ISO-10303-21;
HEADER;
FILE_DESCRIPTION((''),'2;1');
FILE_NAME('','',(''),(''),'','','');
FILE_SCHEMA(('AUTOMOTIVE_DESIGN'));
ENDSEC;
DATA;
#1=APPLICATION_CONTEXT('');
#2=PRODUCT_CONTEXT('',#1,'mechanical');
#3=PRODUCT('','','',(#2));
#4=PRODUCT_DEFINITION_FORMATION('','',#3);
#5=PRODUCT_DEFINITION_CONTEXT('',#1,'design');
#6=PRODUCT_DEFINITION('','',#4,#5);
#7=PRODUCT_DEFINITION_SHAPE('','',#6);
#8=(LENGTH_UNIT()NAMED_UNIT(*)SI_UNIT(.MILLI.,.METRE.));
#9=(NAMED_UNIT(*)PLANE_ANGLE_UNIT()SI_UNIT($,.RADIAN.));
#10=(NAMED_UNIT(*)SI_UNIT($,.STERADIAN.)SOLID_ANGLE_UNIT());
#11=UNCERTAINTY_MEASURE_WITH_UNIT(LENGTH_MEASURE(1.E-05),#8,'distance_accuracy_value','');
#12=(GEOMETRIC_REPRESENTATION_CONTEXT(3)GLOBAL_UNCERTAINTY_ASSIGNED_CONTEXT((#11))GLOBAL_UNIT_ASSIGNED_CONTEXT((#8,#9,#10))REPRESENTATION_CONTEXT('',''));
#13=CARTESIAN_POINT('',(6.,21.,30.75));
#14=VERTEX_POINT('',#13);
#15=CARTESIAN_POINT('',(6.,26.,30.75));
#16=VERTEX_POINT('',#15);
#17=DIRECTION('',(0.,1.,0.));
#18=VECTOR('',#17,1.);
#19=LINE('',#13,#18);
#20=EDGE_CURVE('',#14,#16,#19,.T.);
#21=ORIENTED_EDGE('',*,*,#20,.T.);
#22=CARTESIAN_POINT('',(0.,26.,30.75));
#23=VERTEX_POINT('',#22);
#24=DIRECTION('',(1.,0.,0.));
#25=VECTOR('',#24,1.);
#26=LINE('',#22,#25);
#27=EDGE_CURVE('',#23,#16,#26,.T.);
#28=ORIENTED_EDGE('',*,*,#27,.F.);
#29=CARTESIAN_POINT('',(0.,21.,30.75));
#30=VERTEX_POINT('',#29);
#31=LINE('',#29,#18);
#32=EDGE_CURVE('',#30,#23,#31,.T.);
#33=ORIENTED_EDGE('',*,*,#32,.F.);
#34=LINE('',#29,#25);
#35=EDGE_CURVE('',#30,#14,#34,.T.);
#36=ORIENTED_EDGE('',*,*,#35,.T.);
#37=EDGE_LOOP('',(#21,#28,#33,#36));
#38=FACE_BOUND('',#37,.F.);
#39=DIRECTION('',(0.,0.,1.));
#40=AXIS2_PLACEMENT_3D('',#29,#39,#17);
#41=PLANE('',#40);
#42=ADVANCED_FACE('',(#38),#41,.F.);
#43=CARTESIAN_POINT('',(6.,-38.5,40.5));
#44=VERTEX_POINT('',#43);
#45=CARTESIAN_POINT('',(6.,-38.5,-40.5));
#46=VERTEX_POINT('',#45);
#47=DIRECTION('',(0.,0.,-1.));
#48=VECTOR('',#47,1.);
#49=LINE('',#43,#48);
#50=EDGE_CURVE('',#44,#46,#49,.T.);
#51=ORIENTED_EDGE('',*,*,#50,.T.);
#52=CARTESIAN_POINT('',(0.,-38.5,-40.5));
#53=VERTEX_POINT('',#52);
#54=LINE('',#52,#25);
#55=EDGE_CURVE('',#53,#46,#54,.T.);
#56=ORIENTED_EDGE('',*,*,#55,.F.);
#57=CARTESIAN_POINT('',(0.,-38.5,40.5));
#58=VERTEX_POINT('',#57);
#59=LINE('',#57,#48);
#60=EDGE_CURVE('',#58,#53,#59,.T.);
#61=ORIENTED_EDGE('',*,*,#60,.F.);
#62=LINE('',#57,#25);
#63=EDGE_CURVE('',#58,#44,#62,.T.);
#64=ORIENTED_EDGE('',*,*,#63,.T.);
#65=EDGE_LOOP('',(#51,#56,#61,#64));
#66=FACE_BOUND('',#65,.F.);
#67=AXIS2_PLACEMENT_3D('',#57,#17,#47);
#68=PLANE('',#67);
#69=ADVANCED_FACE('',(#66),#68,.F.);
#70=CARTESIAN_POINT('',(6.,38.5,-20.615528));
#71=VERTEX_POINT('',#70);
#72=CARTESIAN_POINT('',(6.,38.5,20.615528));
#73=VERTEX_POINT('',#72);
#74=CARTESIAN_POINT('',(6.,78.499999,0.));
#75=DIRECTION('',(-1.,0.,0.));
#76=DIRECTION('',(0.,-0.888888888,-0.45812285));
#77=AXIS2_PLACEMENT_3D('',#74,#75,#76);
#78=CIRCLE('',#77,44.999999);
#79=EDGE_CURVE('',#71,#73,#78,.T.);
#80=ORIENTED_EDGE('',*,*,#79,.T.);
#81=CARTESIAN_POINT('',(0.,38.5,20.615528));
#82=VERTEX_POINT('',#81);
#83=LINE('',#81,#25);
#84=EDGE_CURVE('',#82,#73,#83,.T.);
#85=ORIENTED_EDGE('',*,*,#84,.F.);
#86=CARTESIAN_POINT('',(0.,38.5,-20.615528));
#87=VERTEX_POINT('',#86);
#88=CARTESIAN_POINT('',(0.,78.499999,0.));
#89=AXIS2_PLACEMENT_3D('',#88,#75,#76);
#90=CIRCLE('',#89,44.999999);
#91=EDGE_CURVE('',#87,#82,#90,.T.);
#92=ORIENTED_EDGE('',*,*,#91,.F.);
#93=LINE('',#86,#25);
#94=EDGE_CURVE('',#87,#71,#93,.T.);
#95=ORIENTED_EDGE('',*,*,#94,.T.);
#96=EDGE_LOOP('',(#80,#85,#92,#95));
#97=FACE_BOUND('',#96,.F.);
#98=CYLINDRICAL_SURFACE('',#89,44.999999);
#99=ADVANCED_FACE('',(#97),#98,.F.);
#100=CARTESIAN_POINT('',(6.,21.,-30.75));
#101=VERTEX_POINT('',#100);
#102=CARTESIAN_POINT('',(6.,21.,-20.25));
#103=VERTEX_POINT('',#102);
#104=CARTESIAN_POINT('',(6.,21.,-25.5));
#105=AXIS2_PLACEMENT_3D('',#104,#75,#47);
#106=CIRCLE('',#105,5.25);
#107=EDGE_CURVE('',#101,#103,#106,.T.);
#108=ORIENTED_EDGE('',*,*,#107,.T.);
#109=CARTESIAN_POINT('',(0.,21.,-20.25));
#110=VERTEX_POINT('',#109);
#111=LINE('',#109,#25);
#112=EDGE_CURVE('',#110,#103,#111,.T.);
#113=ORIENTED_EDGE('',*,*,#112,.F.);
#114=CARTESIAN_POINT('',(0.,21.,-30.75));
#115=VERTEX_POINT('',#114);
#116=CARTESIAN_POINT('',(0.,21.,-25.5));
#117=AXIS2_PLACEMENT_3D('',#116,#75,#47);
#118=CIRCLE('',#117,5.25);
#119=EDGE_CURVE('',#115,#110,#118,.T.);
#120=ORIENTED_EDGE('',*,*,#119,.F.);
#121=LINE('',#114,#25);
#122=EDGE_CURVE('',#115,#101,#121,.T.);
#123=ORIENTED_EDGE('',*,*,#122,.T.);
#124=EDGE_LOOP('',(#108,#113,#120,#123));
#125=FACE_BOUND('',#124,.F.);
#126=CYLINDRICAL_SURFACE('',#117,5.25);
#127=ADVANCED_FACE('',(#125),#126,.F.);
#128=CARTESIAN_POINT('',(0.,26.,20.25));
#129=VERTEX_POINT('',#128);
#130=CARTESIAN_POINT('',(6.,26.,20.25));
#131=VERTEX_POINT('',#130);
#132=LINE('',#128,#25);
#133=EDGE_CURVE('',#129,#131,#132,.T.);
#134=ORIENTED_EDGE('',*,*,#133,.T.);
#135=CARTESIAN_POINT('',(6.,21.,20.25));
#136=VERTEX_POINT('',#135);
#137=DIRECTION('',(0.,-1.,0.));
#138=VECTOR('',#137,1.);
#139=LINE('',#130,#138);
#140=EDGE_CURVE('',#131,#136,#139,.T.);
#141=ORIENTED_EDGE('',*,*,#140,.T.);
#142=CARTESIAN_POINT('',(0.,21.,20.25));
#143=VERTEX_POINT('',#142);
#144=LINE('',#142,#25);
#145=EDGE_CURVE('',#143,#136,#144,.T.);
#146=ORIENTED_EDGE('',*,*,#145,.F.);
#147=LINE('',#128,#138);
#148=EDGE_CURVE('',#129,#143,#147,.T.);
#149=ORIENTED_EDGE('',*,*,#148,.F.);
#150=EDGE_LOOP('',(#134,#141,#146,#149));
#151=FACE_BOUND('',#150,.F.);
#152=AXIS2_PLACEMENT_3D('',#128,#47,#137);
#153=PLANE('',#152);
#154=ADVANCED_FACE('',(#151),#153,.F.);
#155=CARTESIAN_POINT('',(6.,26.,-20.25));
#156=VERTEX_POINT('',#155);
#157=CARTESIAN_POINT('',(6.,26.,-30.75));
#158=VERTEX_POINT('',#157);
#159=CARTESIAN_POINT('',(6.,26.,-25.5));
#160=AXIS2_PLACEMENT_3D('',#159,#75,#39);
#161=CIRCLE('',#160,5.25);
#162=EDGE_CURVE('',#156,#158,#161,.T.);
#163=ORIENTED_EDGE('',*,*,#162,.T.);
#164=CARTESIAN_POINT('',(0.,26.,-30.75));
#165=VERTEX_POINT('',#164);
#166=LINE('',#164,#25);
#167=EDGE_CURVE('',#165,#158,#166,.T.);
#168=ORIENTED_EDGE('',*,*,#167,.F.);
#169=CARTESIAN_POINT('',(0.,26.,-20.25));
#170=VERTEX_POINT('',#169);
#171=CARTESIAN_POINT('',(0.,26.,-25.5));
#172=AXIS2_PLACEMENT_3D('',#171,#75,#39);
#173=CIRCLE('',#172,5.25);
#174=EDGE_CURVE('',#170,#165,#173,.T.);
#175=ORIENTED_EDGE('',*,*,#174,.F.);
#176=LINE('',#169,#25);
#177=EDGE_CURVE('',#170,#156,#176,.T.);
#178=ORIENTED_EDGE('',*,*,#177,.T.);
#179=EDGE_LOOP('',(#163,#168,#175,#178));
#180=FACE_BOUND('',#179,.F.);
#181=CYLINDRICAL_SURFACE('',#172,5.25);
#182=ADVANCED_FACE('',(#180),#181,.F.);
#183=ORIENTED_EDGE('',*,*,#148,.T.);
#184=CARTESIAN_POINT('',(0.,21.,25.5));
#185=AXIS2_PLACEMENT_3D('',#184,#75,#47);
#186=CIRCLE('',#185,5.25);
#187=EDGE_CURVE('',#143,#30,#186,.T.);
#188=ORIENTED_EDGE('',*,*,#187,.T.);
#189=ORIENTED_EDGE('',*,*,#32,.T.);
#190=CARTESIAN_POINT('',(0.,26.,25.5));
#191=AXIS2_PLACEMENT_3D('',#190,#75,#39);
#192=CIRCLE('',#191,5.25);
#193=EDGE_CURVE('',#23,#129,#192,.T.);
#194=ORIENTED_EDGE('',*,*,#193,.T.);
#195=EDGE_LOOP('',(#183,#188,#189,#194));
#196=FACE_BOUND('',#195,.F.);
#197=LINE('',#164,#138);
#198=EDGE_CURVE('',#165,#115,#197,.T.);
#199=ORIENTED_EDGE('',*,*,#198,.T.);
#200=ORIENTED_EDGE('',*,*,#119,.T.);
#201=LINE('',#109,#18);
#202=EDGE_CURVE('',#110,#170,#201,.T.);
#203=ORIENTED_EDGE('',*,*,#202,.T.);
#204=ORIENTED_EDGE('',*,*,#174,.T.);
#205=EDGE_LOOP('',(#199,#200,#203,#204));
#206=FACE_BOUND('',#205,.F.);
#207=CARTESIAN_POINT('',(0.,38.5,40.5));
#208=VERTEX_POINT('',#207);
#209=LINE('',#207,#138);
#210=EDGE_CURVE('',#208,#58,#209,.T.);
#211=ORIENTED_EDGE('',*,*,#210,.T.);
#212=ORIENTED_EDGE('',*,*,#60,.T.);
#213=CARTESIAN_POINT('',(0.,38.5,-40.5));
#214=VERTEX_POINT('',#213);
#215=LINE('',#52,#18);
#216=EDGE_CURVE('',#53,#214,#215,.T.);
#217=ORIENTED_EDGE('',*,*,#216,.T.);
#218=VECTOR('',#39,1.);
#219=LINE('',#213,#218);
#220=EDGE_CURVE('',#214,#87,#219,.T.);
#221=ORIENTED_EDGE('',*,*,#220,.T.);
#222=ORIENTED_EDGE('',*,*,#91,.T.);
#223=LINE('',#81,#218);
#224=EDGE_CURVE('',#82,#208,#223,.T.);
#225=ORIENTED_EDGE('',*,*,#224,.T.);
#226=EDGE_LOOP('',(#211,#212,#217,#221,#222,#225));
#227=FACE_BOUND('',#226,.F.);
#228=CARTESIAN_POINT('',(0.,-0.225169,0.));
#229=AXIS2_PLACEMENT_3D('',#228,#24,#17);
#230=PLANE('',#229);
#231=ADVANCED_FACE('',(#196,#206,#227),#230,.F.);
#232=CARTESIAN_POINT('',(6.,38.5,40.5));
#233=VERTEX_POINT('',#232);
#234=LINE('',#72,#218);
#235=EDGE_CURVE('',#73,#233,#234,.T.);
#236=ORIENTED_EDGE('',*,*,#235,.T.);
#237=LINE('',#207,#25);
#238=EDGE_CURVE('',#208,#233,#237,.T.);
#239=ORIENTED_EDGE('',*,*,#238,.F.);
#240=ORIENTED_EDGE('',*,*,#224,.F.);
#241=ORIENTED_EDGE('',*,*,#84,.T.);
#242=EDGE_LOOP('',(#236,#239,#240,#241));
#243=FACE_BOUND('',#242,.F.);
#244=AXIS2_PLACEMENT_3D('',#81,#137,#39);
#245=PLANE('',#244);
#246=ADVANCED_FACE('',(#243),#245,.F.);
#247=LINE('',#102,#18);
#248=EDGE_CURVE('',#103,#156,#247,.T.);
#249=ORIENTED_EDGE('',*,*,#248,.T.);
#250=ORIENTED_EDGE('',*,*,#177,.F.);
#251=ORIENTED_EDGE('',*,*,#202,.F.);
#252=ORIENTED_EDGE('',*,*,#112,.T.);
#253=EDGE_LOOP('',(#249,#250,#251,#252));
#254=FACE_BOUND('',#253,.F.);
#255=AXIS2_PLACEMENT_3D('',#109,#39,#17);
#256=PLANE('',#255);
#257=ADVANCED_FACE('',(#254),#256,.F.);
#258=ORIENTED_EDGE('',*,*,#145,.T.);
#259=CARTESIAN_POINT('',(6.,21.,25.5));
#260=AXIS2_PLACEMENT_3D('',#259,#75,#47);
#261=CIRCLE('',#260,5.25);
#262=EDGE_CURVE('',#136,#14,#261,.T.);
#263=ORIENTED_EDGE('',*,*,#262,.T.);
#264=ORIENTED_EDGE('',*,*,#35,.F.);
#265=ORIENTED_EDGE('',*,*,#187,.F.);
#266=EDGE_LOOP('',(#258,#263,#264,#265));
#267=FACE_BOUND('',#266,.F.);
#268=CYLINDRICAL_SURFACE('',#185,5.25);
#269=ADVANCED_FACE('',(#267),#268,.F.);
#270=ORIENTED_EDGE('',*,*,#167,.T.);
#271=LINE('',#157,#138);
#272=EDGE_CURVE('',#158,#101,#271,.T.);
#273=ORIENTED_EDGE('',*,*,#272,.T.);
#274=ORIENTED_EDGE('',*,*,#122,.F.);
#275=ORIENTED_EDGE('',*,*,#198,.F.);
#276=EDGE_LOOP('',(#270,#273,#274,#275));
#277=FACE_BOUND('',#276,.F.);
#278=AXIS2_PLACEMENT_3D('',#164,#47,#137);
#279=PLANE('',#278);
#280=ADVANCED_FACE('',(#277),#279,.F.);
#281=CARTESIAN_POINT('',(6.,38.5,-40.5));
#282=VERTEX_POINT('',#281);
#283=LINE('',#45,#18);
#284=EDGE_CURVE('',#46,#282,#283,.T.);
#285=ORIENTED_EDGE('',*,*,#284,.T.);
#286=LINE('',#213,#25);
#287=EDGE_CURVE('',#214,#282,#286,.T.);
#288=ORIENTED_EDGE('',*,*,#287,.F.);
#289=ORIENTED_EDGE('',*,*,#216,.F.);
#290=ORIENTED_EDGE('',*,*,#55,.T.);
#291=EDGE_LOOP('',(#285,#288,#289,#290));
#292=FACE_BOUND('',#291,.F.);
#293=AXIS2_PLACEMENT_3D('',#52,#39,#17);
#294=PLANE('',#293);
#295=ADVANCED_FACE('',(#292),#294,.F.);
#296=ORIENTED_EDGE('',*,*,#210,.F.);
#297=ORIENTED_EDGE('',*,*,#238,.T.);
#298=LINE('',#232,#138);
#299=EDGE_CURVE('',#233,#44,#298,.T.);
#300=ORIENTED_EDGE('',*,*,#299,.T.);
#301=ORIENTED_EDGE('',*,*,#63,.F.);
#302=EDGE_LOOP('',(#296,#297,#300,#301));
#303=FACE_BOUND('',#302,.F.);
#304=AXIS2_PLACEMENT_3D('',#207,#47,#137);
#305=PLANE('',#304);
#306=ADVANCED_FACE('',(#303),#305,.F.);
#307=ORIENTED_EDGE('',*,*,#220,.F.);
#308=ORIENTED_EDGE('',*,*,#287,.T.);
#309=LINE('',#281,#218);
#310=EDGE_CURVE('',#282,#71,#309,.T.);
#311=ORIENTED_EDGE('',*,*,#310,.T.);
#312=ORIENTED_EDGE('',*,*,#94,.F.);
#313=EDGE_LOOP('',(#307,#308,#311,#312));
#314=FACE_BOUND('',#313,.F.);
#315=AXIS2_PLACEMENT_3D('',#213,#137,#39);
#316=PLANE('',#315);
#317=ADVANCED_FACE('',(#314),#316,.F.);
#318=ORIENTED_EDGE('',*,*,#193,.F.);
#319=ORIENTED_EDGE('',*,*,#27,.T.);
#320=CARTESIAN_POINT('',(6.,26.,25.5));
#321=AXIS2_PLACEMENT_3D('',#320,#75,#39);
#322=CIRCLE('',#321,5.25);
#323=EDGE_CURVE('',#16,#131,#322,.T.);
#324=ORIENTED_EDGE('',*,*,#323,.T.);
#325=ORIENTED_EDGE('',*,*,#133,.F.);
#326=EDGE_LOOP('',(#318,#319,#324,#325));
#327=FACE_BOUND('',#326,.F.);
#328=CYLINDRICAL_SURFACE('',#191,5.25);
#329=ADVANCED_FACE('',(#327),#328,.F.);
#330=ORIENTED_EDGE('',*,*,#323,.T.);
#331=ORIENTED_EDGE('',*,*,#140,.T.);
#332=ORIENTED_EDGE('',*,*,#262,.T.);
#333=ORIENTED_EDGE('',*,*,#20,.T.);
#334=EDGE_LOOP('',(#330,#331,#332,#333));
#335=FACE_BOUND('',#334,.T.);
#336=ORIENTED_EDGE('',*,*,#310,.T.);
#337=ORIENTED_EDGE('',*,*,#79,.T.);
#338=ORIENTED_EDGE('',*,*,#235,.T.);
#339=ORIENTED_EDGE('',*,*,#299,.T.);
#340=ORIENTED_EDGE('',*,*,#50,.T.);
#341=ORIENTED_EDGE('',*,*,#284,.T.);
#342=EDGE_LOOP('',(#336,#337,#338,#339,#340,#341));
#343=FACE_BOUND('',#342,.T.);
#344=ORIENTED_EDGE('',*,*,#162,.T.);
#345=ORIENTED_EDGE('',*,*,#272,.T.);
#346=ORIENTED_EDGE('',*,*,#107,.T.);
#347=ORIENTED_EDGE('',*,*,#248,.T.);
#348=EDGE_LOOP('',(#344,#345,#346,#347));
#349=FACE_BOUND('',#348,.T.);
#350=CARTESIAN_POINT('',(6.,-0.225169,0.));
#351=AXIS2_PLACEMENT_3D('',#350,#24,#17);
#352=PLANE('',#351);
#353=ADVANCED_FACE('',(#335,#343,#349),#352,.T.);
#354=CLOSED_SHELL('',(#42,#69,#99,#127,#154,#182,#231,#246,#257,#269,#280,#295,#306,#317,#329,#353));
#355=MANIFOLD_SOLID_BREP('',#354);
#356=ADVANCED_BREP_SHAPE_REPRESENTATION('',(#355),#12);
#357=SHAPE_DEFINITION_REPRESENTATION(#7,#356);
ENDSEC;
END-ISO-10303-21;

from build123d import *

# Parameters (mm, degrees)
F1_DEPTH = 6


with BuildPart() as f1:
    # F0 (on Right) → F1 (new body)
    with BuildSketch(Plane.YZ):
        with BuildLine():
            Line((38.5, 20.615528), (38.5, 40.5))
            Line((38.5, 40.5), (-38.5, 40.5))
            Line((-38.5, 40.5), (-38.5, -40.5))
            Line((-38.5, -40.5), (38.5, -40.5))
            Line((38.5, -40.5), (38.5, -20.615528))
            ThreePointArc((38.5, -20.615528), (33.5, 0), (38.5, 20.615528))
        make_face()
        with BuildLine():
            ThreePointArc((21, -30.75), (15.75, -25.5), (21, -20.25))
            Line((21, -20.25), (26, -20.25))
            ThreePointArc((26, -20.25), (31.25, -25.5), (26, -30.75))
            Line((26, -30.75), (21, -30.75))
        make_face(mode=Mode.SUBTRACT)
        with BuildLine():
            ThreePointArc((21, 20.25), (15.75, 25.5), (21, 30.75))
            Line((21, 30.75), (26, 30.75))
            ThreePointArc((26, 30.75), (31.25, 25.5), (26, 20.25))
            Line((26, 20.25), (21, 20.25))
        make_face(mode=Mode.SUBTRACT)
    extrude(amount=F1_DEPTH)


solid = f1.part
